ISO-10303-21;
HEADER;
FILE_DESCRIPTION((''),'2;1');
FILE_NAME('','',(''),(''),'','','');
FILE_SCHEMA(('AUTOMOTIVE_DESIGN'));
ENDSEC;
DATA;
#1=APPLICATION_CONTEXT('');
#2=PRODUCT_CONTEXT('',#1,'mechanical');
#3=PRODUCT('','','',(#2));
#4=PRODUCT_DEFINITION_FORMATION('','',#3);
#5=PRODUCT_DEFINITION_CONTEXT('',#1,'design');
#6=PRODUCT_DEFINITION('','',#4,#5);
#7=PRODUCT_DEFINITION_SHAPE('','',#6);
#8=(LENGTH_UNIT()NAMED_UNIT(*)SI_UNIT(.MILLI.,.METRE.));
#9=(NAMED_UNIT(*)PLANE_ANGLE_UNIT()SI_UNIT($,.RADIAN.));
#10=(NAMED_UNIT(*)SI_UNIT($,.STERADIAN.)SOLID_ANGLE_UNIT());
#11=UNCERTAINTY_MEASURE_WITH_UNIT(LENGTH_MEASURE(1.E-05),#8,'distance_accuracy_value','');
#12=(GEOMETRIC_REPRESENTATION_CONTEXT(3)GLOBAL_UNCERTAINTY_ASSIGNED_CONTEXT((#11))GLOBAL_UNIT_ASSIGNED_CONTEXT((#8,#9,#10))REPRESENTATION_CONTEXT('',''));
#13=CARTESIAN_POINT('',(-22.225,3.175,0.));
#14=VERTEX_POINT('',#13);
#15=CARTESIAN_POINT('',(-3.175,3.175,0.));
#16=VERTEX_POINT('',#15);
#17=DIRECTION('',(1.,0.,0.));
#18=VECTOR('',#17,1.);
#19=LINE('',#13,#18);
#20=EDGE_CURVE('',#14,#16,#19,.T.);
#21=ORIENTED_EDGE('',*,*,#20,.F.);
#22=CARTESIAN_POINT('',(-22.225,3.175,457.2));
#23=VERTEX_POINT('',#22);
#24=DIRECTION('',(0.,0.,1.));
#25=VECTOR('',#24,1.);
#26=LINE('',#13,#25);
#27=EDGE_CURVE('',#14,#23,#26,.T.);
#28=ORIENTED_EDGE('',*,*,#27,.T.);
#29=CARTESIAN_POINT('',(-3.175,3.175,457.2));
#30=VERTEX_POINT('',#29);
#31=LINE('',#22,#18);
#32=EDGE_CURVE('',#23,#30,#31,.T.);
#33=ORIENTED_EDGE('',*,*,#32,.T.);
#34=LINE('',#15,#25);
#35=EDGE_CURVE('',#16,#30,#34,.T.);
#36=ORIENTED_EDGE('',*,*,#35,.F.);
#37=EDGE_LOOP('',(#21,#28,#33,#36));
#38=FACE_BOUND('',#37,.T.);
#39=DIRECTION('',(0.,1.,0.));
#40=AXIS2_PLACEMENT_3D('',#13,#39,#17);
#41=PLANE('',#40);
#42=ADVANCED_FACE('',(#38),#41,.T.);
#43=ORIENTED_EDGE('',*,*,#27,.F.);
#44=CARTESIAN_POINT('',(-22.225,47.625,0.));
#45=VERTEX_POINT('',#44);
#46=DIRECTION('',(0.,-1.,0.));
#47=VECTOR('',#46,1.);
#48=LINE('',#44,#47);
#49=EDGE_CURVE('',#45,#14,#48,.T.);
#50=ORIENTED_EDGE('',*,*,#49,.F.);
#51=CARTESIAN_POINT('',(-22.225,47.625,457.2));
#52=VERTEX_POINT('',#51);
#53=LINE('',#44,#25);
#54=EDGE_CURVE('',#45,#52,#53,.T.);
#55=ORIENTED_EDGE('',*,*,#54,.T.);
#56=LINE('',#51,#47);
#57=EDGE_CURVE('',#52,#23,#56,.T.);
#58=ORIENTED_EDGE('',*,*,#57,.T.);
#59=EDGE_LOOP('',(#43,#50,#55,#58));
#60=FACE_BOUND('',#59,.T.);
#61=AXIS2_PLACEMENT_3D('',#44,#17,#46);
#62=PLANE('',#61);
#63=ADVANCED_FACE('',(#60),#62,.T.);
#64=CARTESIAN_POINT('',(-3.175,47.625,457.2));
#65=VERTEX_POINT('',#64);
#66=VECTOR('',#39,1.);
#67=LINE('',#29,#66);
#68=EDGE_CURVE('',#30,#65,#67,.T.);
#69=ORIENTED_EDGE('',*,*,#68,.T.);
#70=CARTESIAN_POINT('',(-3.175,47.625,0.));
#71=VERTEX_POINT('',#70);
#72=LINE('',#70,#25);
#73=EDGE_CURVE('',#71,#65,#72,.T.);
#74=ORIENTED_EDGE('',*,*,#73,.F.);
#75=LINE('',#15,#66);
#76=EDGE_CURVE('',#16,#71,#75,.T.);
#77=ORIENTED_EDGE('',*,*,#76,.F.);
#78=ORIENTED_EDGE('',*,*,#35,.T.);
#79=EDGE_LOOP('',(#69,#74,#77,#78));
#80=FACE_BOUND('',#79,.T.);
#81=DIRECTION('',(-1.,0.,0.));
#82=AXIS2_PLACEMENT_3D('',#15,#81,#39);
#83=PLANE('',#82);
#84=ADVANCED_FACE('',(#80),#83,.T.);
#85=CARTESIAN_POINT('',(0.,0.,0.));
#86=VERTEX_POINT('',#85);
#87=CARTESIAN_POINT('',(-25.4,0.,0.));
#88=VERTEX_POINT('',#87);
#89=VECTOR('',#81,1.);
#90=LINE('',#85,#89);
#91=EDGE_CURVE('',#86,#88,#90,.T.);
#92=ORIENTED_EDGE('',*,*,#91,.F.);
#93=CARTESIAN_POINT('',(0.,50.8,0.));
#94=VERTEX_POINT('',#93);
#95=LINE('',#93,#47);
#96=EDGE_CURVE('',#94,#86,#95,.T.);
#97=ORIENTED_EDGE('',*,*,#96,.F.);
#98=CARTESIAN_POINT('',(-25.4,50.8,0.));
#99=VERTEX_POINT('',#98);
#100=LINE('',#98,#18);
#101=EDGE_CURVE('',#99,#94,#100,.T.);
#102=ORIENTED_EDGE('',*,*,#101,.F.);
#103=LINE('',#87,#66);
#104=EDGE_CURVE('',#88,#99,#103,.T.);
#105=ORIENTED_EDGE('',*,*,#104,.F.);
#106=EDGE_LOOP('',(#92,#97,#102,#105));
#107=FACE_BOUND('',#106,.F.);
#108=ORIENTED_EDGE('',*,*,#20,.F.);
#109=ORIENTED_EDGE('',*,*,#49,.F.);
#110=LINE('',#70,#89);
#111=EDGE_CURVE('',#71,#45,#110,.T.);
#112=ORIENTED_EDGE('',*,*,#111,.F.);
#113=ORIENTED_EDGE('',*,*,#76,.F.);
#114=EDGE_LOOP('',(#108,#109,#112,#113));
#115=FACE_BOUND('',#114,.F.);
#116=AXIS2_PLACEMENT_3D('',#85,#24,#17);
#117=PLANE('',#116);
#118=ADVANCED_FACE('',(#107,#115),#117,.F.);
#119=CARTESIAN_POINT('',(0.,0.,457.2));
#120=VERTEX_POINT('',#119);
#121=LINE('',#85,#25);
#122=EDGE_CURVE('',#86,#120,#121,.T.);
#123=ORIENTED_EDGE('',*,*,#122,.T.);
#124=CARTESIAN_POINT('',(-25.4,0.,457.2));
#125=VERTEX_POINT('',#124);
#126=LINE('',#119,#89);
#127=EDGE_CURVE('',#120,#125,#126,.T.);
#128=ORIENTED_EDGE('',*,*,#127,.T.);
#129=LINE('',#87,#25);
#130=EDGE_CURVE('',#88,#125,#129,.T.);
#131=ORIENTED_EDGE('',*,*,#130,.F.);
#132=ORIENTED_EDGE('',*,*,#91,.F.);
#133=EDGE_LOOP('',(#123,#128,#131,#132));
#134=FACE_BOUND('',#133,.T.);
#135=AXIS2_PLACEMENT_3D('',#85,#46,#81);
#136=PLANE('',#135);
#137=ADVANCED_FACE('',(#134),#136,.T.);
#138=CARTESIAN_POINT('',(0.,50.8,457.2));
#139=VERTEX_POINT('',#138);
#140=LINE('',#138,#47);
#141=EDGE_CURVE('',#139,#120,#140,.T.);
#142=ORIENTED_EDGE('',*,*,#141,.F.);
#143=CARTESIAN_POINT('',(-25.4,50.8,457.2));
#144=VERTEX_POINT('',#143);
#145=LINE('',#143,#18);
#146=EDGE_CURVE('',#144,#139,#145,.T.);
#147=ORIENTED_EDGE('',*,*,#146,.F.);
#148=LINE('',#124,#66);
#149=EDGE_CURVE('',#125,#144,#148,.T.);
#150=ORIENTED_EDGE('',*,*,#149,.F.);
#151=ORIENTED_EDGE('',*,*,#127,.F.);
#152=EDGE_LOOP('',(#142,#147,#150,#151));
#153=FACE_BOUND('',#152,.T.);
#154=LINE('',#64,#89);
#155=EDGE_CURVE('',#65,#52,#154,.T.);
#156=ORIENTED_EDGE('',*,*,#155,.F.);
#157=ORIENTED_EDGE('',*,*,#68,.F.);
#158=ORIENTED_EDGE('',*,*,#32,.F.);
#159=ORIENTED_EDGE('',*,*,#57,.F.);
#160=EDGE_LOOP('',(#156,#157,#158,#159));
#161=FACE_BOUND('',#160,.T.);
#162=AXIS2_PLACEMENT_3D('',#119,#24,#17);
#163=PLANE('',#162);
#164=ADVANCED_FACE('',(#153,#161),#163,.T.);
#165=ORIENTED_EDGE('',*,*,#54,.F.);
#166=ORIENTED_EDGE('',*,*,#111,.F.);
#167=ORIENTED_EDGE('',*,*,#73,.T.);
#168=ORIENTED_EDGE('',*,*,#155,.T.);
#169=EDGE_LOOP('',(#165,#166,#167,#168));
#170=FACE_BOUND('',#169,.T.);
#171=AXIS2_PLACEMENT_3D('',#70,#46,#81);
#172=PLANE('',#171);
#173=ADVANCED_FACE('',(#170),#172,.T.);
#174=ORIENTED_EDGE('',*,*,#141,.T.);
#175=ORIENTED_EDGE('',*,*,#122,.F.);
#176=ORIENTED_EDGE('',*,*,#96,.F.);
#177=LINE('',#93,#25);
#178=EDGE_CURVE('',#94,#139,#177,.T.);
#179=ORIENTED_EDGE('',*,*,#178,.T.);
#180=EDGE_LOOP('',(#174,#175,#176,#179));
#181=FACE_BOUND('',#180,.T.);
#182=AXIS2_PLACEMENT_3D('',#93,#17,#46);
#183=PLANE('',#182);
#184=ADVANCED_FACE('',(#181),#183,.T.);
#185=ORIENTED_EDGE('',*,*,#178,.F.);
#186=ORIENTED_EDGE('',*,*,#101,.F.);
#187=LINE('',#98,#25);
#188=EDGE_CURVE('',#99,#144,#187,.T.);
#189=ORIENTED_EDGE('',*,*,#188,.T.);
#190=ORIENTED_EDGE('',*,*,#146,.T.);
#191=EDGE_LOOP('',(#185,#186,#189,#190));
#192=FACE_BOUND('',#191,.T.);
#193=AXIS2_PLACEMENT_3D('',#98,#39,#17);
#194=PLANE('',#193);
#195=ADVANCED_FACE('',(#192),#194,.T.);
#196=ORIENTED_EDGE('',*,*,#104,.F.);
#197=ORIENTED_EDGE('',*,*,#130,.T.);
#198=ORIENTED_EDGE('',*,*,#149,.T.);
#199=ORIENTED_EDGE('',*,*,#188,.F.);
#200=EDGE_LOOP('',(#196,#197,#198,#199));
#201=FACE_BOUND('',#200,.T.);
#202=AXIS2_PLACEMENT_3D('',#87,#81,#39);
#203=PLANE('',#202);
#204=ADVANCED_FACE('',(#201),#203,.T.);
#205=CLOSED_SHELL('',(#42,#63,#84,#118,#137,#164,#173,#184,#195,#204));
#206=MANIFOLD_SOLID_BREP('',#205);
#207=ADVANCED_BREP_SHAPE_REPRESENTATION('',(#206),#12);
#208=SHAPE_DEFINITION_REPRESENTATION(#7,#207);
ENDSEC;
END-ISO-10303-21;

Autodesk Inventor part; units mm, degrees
ref_plane "YZ Plane" through (0, 0, 0) normal (1, 0, 0) x (0, 1, 0)
ref_plane "XZ Plane" through (0, 0, 0) normal (0, 1, 0) x (-1, 0, 0)
ref_plane "XY Plane" through (0, 0, 0) normal (0, 0, 1) x (1, 0, 0)
sketch "Sketch1" plane through (0, 0, 0) normal (0, 0, 1) x (1, 0, 0)
  line L0 (0, 0) -> (-25.4, 0)
  line L1 (-25.4, 0) -> (-25.4, 50.8)
  line L2 (-25.4, 50.8) -> (0, 50.8)
  line L3 (0, 50.8) -> (0, 0)
  line L4 (-3.175, 47.625) -> (-22.225, 47.625)
  line L5 (-22.225, 47.625) -> (-22.225, 3.175)
  line L6 (-22.225, 3.175) -> (-3.175, 3.175)
  line L7 (-3.175, 3.175) -> (-3.175, 47.625)
  dimension "d0" = 25.4
  dimension "d1" = 50.8
  dimension "d2" = 3.175
extrude "Extrusion1" add sketch "Sketch1" along normal blind 457.2
properties part number "C Back"
